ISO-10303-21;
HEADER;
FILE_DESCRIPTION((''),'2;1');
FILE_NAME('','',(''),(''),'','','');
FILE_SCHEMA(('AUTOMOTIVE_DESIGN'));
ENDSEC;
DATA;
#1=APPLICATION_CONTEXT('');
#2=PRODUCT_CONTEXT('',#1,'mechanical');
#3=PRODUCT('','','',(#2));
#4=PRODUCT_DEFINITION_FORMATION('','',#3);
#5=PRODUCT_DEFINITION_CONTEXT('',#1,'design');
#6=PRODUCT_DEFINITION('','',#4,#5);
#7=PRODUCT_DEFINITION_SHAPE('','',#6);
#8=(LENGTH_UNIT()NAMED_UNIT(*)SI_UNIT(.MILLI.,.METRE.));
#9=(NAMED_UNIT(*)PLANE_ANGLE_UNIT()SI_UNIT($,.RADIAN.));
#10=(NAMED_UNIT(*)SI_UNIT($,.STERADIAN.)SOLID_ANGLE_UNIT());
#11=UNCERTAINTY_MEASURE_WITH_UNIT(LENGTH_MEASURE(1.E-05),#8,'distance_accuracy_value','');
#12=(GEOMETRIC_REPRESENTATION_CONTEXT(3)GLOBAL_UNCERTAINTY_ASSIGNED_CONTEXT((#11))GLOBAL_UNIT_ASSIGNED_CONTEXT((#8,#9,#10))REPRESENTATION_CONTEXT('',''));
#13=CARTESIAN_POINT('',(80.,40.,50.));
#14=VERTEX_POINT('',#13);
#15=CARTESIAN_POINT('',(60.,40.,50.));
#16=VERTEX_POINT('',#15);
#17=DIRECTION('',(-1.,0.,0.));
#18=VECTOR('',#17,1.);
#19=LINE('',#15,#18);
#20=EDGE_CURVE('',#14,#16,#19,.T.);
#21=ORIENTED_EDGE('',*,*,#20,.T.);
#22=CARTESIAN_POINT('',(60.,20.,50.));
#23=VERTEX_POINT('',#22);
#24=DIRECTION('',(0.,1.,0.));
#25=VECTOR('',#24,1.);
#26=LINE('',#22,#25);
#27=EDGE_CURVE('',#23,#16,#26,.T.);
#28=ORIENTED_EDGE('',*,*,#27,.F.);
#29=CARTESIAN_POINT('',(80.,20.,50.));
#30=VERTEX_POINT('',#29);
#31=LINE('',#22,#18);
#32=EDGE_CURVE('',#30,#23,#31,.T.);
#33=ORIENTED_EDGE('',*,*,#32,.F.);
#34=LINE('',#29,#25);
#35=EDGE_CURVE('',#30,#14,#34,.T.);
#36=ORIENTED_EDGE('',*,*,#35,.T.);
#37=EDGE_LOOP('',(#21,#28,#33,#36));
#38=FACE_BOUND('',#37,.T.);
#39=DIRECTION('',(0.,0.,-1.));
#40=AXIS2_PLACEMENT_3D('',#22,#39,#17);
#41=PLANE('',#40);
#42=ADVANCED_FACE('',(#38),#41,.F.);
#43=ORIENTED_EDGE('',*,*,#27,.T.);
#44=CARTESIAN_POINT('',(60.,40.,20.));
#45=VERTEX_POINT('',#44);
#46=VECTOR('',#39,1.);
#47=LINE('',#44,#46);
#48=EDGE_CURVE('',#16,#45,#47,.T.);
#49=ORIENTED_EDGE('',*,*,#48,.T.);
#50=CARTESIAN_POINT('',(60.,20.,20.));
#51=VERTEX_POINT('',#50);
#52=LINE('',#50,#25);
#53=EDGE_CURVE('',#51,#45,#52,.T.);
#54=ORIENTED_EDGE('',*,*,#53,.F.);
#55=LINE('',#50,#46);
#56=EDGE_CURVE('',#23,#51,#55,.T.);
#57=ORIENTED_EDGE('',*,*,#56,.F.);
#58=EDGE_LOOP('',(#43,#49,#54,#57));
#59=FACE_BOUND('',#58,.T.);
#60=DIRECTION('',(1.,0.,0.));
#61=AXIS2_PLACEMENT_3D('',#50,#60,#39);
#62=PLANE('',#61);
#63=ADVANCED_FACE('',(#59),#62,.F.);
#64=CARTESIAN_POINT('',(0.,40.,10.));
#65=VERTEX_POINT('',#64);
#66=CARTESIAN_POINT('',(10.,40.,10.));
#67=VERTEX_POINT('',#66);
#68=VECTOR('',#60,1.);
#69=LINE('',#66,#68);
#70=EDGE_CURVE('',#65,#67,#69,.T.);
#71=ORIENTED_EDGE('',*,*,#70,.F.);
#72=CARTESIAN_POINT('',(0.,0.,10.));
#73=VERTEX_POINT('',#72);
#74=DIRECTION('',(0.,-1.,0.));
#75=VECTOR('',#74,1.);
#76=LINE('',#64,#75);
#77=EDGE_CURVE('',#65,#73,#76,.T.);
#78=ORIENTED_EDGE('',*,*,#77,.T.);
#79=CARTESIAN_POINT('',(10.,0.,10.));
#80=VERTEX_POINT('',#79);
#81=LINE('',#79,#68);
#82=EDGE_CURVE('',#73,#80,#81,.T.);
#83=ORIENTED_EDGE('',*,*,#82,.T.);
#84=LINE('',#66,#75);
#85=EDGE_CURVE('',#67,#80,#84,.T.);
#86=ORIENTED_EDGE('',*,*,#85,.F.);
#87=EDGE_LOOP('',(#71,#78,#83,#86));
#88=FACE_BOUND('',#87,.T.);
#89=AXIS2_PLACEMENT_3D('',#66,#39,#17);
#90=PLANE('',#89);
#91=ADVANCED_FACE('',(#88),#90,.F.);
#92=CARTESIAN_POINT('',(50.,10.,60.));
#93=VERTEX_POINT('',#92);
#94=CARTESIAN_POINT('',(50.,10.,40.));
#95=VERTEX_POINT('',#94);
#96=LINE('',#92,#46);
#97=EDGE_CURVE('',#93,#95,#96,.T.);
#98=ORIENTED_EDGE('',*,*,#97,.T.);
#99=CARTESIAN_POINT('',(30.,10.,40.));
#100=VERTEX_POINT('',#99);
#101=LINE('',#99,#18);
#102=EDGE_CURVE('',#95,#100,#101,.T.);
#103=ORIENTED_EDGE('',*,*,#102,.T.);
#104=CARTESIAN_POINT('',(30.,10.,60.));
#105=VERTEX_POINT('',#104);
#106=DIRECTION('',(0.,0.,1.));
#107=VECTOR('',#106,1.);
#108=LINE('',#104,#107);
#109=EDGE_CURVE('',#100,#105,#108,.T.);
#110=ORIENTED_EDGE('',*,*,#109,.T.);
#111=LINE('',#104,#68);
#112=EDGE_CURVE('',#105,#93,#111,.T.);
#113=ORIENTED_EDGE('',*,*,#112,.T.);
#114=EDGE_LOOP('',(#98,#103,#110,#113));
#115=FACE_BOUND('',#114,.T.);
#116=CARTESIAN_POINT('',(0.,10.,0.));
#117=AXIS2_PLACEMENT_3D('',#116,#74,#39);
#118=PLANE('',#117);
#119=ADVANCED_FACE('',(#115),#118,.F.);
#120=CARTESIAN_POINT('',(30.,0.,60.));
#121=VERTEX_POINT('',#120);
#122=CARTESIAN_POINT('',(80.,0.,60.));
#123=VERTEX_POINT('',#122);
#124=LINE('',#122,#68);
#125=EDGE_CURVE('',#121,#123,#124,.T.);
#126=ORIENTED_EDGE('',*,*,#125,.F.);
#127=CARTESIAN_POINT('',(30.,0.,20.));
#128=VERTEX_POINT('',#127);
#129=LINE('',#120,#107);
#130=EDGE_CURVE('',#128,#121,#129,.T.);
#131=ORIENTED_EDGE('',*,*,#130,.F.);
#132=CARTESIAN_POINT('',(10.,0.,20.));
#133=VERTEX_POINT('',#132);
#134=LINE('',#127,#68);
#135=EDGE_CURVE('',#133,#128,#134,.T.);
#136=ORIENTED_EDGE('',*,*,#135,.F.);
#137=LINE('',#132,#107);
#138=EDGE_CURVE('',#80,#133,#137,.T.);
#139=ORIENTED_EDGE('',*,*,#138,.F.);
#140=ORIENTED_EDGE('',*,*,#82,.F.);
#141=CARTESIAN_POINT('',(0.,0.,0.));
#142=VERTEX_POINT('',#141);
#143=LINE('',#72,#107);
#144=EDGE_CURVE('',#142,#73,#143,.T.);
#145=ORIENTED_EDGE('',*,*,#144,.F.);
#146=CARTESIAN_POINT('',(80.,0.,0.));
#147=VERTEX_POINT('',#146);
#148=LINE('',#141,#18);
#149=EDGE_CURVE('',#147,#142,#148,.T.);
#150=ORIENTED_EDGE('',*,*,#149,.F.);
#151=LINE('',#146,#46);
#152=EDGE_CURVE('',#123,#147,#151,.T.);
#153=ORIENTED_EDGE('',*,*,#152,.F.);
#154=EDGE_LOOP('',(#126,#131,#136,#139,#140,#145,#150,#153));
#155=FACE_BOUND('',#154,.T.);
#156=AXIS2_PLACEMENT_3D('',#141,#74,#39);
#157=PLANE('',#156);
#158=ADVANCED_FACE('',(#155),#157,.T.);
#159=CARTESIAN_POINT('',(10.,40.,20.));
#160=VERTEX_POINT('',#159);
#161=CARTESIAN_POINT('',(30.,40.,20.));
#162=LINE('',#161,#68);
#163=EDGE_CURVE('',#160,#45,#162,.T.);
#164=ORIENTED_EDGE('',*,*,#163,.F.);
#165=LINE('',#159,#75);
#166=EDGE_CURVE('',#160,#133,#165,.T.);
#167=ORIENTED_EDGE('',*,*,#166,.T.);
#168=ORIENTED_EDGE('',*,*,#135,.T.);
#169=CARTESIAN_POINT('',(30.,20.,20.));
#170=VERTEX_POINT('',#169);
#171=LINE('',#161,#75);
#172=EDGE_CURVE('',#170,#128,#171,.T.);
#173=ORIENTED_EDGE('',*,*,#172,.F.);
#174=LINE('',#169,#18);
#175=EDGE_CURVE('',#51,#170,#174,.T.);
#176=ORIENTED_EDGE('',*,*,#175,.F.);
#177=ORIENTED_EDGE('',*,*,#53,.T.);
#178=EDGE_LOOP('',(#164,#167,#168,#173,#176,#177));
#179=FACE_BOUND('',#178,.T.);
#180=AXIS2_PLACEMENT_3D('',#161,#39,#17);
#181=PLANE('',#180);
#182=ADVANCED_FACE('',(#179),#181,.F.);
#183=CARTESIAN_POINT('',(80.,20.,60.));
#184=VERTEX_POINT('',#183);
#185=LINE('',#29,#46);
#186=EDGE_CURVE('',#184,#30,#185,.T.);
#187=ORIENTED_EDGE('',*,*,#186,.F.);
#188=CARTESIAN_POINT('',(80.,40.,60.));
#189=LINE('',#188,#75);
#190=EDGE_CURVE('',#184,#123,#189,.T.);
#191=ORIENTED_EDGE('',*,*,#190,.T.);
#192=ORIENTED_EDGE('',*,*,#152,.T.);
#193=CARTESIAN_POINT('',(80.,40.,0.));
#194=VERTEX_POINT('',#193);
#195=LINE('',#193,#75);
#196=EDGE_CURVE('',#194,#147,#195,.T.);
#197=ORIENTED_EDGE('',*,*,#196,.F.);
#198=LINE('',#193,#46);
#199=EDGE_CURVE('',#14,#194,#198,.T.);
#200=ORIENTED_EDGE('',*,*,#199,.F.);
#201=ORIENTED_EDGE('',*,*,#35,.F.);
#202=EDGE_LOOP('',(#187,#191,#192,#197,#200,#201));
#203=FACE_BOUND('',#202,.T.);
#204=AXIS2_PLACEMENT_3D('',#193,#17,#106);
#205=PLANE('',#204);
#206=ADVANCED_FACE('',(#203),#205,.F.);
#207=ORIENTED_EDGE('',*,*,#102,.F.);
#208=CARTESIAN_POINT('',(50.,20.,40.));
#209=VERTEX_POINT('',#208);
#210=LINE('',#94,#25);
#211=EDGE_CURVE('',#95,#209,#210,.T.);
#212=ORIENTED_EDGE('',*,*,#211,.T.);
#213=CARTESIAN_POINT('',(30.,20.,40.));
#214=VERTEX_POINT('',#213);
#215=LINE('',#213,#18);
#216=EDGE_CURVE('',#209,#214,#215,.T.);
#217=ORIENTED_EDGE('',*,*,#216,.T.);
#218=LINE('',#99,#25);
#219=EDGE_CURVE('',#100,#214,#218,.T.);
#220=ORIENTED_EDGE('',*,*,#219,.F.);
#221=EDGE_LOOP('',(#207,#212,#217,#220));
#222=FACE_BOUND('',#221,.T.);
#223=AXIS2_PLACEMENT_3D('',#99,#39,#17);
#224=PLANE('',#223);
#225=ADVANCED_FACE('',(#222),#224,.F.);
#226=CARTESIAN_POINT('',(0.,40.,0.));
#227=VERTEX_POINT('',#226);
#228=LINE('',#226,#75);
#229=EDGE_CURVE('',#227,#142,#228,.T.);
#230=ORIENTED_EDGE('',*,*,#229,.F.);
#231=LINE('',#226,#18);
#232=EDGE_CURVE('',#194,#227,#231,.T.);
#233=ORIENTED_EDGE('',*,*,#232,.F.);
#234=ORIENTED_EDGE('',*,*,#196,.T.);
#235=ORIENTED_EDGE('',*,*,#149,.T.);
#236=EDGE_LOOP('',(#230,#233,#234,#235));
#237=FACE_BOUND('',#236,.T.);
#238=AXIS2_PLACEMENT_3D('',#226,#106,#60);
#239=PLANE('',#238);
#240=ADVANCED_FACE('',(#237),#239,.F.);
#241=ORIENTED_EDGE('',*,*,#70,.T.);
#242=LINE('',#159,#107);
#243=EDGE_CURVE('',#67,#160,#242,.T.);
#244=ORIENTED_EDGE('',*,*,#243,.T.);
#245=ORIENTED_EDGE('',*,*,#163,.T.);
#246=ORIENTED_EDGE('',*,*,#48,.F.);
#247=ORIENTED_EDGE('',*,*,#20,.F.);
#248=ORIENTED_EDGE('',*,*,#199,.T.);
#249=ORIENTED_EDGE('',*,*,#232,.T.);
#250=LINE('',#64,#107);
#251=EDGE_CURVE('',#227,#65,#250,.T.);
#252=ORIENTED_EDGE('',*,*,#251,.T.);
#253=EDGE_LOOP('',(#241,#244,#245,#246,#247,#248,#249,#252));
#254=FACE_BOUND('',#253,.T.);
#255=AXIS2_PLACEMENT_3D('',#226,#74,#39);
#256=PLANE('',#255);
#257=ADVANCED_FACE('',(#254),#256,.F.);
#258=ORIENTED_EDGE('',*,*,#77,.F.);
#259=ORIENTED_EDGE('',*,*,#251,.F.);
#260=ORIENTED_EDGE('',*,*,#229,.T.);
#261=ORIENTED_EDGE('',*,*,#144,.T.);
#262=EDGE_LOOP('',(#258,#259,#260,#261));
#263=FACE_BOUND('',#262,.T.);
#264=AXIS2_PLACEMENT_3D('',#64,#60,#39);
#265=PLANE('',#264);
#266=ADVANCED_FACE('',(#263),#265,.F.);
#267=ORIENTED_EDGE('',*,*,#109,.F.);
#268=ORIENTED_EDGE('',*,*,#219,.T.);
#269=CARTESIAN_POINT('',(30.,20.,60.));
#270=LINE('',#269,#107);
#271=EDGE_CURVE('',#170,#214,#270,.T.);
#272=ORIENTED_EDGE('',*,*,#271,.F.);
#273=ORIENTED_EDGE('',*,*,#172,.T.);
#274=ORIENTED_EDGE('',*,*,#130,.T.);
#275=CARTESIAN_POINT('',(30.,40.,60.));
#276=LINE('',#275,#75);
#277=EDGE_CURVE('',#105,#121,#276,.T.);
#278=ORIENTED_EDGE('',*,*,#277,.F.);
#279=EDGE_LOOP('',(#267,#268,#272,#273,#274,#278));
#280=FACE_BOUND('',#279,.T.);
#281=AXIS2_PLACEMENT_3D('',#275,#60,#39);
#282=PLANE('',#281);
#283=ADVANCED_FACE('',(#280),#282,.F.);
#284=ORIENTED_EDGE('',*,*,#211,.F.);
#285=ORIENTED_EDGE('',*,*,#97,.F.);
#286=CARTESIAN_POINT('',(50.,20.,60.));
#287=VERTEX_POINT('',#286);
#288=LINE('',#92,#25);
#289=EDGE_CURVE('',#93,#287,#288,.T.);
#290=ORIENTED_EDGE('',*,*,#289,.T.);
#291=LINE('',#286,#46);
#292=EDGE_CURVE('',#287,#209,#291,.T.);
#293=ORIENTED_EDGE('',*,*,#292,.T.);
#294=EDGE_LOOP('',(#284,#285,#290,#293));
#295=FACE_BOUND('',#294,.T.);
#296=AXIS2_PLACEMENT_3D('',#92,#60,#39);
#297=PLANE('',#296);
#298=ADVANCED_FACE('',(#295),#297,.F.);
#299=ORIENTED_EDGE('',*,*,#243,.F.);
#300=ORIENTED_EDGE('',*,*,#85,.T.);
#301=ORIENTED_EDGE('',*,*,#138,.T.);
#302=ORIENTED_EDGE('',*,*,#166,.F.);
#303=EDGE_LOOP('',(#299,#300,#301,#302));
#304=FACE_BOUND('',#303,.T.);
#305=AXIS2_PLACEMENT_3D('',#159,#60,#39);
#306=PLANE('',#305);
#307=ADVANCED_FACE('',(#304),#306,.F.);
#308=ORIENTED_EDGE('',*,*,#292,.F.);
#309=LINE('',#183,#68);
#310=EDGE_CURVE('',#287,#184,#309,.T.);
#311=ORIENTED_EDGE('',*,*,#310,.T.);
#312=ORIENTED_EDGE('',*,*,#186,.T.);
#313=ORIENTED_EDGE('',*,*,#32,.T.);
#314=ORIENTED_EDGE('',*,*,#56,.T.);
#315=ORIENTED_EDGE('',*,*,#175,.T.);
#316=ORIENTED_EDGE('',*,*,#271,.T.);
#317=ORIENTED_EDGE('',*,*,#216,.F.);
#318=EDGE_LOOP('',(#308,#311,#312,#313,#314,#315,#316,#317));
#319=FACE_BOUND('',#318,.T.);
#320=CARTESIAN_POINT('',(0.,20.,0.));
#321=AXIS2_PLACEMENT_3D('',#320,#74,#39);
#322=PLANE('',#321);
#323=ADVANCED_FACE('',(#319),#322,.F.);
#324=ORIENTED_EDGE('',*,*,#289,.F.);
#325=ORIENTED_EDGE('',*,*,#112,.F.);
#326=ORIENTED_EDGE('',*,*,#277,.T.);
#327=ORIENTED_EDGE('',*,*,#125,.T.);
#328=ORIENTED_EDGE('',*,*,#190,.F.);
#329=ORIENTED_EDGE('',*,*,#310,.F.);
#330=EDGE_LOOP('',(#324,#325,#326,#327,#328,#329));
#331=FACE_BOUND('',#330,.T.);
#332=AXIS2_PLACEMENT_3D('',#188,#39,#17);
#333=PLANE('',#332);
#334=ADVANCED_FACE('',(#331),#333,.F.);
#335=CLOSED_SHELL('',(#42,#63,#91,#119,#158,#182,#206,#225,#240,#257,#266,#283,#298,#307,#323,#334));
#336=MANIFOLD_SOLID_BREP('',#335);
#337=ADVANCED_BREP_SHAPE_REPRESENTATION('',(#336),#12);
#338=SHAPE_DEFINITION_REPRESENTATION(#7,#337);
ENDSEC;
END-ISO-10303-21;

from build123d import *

# Parameters (mm, degrees)
BOSS_EXTRUDE2_DEPTH = 40
CUT_EXTRUDE1_DEPTH  = 20
SKETCH4_W           = 20
SKETCH4_H           = 20
CUT_EXTRUDE2_DEPTH  = 10


with BuildPart() as part:
    # Sketch2 → Boss-Extrude2 (new body)
    with BuildSketch(Plane(origin=(0, 0, 0), x_dir=(1, 0, 0), z_dir=(0, 1, 0))):
        Polygon((0, 0), (80, 0), (80, -60), (30, -60), (30, -20), (10, -20), (10, -10), (0, -10), align=None)
    extrude(amount=BOSS_EXTRUDE2_DEPTH)

    # Sketch3 → Cut-Extrude1 (cut)
    with BuildSketch(Plane(origin=(0, 40, 0), x_dir=(1, 0, 0), z_dir=(0, 1, 0))):
        Polygon((80, -52.352661089), (80, -60), (30, -60), (30, -20), (60, -20), (60, -50), (80, -50), align=None)
    extrude(amount=-CUT_EXTRUDE1_DEPTH, mode=Mode.SUBTRACT)

    # Sketch4 → Cut-Extrude2 (cut)
    with BuildSketch(Plane(origin=(0, 20, 0), x_dir=(1, 0, 0), z_dir=(0, 1, 0))):
        with Locations((40, -50)):
            Rectangle(SKETCH4_W, SKETCH4_H)
    extrude(amount=-CUT_EXTRUDE2_DEPTH, mode=Mode.SUBTRACT)


solid = part.part
